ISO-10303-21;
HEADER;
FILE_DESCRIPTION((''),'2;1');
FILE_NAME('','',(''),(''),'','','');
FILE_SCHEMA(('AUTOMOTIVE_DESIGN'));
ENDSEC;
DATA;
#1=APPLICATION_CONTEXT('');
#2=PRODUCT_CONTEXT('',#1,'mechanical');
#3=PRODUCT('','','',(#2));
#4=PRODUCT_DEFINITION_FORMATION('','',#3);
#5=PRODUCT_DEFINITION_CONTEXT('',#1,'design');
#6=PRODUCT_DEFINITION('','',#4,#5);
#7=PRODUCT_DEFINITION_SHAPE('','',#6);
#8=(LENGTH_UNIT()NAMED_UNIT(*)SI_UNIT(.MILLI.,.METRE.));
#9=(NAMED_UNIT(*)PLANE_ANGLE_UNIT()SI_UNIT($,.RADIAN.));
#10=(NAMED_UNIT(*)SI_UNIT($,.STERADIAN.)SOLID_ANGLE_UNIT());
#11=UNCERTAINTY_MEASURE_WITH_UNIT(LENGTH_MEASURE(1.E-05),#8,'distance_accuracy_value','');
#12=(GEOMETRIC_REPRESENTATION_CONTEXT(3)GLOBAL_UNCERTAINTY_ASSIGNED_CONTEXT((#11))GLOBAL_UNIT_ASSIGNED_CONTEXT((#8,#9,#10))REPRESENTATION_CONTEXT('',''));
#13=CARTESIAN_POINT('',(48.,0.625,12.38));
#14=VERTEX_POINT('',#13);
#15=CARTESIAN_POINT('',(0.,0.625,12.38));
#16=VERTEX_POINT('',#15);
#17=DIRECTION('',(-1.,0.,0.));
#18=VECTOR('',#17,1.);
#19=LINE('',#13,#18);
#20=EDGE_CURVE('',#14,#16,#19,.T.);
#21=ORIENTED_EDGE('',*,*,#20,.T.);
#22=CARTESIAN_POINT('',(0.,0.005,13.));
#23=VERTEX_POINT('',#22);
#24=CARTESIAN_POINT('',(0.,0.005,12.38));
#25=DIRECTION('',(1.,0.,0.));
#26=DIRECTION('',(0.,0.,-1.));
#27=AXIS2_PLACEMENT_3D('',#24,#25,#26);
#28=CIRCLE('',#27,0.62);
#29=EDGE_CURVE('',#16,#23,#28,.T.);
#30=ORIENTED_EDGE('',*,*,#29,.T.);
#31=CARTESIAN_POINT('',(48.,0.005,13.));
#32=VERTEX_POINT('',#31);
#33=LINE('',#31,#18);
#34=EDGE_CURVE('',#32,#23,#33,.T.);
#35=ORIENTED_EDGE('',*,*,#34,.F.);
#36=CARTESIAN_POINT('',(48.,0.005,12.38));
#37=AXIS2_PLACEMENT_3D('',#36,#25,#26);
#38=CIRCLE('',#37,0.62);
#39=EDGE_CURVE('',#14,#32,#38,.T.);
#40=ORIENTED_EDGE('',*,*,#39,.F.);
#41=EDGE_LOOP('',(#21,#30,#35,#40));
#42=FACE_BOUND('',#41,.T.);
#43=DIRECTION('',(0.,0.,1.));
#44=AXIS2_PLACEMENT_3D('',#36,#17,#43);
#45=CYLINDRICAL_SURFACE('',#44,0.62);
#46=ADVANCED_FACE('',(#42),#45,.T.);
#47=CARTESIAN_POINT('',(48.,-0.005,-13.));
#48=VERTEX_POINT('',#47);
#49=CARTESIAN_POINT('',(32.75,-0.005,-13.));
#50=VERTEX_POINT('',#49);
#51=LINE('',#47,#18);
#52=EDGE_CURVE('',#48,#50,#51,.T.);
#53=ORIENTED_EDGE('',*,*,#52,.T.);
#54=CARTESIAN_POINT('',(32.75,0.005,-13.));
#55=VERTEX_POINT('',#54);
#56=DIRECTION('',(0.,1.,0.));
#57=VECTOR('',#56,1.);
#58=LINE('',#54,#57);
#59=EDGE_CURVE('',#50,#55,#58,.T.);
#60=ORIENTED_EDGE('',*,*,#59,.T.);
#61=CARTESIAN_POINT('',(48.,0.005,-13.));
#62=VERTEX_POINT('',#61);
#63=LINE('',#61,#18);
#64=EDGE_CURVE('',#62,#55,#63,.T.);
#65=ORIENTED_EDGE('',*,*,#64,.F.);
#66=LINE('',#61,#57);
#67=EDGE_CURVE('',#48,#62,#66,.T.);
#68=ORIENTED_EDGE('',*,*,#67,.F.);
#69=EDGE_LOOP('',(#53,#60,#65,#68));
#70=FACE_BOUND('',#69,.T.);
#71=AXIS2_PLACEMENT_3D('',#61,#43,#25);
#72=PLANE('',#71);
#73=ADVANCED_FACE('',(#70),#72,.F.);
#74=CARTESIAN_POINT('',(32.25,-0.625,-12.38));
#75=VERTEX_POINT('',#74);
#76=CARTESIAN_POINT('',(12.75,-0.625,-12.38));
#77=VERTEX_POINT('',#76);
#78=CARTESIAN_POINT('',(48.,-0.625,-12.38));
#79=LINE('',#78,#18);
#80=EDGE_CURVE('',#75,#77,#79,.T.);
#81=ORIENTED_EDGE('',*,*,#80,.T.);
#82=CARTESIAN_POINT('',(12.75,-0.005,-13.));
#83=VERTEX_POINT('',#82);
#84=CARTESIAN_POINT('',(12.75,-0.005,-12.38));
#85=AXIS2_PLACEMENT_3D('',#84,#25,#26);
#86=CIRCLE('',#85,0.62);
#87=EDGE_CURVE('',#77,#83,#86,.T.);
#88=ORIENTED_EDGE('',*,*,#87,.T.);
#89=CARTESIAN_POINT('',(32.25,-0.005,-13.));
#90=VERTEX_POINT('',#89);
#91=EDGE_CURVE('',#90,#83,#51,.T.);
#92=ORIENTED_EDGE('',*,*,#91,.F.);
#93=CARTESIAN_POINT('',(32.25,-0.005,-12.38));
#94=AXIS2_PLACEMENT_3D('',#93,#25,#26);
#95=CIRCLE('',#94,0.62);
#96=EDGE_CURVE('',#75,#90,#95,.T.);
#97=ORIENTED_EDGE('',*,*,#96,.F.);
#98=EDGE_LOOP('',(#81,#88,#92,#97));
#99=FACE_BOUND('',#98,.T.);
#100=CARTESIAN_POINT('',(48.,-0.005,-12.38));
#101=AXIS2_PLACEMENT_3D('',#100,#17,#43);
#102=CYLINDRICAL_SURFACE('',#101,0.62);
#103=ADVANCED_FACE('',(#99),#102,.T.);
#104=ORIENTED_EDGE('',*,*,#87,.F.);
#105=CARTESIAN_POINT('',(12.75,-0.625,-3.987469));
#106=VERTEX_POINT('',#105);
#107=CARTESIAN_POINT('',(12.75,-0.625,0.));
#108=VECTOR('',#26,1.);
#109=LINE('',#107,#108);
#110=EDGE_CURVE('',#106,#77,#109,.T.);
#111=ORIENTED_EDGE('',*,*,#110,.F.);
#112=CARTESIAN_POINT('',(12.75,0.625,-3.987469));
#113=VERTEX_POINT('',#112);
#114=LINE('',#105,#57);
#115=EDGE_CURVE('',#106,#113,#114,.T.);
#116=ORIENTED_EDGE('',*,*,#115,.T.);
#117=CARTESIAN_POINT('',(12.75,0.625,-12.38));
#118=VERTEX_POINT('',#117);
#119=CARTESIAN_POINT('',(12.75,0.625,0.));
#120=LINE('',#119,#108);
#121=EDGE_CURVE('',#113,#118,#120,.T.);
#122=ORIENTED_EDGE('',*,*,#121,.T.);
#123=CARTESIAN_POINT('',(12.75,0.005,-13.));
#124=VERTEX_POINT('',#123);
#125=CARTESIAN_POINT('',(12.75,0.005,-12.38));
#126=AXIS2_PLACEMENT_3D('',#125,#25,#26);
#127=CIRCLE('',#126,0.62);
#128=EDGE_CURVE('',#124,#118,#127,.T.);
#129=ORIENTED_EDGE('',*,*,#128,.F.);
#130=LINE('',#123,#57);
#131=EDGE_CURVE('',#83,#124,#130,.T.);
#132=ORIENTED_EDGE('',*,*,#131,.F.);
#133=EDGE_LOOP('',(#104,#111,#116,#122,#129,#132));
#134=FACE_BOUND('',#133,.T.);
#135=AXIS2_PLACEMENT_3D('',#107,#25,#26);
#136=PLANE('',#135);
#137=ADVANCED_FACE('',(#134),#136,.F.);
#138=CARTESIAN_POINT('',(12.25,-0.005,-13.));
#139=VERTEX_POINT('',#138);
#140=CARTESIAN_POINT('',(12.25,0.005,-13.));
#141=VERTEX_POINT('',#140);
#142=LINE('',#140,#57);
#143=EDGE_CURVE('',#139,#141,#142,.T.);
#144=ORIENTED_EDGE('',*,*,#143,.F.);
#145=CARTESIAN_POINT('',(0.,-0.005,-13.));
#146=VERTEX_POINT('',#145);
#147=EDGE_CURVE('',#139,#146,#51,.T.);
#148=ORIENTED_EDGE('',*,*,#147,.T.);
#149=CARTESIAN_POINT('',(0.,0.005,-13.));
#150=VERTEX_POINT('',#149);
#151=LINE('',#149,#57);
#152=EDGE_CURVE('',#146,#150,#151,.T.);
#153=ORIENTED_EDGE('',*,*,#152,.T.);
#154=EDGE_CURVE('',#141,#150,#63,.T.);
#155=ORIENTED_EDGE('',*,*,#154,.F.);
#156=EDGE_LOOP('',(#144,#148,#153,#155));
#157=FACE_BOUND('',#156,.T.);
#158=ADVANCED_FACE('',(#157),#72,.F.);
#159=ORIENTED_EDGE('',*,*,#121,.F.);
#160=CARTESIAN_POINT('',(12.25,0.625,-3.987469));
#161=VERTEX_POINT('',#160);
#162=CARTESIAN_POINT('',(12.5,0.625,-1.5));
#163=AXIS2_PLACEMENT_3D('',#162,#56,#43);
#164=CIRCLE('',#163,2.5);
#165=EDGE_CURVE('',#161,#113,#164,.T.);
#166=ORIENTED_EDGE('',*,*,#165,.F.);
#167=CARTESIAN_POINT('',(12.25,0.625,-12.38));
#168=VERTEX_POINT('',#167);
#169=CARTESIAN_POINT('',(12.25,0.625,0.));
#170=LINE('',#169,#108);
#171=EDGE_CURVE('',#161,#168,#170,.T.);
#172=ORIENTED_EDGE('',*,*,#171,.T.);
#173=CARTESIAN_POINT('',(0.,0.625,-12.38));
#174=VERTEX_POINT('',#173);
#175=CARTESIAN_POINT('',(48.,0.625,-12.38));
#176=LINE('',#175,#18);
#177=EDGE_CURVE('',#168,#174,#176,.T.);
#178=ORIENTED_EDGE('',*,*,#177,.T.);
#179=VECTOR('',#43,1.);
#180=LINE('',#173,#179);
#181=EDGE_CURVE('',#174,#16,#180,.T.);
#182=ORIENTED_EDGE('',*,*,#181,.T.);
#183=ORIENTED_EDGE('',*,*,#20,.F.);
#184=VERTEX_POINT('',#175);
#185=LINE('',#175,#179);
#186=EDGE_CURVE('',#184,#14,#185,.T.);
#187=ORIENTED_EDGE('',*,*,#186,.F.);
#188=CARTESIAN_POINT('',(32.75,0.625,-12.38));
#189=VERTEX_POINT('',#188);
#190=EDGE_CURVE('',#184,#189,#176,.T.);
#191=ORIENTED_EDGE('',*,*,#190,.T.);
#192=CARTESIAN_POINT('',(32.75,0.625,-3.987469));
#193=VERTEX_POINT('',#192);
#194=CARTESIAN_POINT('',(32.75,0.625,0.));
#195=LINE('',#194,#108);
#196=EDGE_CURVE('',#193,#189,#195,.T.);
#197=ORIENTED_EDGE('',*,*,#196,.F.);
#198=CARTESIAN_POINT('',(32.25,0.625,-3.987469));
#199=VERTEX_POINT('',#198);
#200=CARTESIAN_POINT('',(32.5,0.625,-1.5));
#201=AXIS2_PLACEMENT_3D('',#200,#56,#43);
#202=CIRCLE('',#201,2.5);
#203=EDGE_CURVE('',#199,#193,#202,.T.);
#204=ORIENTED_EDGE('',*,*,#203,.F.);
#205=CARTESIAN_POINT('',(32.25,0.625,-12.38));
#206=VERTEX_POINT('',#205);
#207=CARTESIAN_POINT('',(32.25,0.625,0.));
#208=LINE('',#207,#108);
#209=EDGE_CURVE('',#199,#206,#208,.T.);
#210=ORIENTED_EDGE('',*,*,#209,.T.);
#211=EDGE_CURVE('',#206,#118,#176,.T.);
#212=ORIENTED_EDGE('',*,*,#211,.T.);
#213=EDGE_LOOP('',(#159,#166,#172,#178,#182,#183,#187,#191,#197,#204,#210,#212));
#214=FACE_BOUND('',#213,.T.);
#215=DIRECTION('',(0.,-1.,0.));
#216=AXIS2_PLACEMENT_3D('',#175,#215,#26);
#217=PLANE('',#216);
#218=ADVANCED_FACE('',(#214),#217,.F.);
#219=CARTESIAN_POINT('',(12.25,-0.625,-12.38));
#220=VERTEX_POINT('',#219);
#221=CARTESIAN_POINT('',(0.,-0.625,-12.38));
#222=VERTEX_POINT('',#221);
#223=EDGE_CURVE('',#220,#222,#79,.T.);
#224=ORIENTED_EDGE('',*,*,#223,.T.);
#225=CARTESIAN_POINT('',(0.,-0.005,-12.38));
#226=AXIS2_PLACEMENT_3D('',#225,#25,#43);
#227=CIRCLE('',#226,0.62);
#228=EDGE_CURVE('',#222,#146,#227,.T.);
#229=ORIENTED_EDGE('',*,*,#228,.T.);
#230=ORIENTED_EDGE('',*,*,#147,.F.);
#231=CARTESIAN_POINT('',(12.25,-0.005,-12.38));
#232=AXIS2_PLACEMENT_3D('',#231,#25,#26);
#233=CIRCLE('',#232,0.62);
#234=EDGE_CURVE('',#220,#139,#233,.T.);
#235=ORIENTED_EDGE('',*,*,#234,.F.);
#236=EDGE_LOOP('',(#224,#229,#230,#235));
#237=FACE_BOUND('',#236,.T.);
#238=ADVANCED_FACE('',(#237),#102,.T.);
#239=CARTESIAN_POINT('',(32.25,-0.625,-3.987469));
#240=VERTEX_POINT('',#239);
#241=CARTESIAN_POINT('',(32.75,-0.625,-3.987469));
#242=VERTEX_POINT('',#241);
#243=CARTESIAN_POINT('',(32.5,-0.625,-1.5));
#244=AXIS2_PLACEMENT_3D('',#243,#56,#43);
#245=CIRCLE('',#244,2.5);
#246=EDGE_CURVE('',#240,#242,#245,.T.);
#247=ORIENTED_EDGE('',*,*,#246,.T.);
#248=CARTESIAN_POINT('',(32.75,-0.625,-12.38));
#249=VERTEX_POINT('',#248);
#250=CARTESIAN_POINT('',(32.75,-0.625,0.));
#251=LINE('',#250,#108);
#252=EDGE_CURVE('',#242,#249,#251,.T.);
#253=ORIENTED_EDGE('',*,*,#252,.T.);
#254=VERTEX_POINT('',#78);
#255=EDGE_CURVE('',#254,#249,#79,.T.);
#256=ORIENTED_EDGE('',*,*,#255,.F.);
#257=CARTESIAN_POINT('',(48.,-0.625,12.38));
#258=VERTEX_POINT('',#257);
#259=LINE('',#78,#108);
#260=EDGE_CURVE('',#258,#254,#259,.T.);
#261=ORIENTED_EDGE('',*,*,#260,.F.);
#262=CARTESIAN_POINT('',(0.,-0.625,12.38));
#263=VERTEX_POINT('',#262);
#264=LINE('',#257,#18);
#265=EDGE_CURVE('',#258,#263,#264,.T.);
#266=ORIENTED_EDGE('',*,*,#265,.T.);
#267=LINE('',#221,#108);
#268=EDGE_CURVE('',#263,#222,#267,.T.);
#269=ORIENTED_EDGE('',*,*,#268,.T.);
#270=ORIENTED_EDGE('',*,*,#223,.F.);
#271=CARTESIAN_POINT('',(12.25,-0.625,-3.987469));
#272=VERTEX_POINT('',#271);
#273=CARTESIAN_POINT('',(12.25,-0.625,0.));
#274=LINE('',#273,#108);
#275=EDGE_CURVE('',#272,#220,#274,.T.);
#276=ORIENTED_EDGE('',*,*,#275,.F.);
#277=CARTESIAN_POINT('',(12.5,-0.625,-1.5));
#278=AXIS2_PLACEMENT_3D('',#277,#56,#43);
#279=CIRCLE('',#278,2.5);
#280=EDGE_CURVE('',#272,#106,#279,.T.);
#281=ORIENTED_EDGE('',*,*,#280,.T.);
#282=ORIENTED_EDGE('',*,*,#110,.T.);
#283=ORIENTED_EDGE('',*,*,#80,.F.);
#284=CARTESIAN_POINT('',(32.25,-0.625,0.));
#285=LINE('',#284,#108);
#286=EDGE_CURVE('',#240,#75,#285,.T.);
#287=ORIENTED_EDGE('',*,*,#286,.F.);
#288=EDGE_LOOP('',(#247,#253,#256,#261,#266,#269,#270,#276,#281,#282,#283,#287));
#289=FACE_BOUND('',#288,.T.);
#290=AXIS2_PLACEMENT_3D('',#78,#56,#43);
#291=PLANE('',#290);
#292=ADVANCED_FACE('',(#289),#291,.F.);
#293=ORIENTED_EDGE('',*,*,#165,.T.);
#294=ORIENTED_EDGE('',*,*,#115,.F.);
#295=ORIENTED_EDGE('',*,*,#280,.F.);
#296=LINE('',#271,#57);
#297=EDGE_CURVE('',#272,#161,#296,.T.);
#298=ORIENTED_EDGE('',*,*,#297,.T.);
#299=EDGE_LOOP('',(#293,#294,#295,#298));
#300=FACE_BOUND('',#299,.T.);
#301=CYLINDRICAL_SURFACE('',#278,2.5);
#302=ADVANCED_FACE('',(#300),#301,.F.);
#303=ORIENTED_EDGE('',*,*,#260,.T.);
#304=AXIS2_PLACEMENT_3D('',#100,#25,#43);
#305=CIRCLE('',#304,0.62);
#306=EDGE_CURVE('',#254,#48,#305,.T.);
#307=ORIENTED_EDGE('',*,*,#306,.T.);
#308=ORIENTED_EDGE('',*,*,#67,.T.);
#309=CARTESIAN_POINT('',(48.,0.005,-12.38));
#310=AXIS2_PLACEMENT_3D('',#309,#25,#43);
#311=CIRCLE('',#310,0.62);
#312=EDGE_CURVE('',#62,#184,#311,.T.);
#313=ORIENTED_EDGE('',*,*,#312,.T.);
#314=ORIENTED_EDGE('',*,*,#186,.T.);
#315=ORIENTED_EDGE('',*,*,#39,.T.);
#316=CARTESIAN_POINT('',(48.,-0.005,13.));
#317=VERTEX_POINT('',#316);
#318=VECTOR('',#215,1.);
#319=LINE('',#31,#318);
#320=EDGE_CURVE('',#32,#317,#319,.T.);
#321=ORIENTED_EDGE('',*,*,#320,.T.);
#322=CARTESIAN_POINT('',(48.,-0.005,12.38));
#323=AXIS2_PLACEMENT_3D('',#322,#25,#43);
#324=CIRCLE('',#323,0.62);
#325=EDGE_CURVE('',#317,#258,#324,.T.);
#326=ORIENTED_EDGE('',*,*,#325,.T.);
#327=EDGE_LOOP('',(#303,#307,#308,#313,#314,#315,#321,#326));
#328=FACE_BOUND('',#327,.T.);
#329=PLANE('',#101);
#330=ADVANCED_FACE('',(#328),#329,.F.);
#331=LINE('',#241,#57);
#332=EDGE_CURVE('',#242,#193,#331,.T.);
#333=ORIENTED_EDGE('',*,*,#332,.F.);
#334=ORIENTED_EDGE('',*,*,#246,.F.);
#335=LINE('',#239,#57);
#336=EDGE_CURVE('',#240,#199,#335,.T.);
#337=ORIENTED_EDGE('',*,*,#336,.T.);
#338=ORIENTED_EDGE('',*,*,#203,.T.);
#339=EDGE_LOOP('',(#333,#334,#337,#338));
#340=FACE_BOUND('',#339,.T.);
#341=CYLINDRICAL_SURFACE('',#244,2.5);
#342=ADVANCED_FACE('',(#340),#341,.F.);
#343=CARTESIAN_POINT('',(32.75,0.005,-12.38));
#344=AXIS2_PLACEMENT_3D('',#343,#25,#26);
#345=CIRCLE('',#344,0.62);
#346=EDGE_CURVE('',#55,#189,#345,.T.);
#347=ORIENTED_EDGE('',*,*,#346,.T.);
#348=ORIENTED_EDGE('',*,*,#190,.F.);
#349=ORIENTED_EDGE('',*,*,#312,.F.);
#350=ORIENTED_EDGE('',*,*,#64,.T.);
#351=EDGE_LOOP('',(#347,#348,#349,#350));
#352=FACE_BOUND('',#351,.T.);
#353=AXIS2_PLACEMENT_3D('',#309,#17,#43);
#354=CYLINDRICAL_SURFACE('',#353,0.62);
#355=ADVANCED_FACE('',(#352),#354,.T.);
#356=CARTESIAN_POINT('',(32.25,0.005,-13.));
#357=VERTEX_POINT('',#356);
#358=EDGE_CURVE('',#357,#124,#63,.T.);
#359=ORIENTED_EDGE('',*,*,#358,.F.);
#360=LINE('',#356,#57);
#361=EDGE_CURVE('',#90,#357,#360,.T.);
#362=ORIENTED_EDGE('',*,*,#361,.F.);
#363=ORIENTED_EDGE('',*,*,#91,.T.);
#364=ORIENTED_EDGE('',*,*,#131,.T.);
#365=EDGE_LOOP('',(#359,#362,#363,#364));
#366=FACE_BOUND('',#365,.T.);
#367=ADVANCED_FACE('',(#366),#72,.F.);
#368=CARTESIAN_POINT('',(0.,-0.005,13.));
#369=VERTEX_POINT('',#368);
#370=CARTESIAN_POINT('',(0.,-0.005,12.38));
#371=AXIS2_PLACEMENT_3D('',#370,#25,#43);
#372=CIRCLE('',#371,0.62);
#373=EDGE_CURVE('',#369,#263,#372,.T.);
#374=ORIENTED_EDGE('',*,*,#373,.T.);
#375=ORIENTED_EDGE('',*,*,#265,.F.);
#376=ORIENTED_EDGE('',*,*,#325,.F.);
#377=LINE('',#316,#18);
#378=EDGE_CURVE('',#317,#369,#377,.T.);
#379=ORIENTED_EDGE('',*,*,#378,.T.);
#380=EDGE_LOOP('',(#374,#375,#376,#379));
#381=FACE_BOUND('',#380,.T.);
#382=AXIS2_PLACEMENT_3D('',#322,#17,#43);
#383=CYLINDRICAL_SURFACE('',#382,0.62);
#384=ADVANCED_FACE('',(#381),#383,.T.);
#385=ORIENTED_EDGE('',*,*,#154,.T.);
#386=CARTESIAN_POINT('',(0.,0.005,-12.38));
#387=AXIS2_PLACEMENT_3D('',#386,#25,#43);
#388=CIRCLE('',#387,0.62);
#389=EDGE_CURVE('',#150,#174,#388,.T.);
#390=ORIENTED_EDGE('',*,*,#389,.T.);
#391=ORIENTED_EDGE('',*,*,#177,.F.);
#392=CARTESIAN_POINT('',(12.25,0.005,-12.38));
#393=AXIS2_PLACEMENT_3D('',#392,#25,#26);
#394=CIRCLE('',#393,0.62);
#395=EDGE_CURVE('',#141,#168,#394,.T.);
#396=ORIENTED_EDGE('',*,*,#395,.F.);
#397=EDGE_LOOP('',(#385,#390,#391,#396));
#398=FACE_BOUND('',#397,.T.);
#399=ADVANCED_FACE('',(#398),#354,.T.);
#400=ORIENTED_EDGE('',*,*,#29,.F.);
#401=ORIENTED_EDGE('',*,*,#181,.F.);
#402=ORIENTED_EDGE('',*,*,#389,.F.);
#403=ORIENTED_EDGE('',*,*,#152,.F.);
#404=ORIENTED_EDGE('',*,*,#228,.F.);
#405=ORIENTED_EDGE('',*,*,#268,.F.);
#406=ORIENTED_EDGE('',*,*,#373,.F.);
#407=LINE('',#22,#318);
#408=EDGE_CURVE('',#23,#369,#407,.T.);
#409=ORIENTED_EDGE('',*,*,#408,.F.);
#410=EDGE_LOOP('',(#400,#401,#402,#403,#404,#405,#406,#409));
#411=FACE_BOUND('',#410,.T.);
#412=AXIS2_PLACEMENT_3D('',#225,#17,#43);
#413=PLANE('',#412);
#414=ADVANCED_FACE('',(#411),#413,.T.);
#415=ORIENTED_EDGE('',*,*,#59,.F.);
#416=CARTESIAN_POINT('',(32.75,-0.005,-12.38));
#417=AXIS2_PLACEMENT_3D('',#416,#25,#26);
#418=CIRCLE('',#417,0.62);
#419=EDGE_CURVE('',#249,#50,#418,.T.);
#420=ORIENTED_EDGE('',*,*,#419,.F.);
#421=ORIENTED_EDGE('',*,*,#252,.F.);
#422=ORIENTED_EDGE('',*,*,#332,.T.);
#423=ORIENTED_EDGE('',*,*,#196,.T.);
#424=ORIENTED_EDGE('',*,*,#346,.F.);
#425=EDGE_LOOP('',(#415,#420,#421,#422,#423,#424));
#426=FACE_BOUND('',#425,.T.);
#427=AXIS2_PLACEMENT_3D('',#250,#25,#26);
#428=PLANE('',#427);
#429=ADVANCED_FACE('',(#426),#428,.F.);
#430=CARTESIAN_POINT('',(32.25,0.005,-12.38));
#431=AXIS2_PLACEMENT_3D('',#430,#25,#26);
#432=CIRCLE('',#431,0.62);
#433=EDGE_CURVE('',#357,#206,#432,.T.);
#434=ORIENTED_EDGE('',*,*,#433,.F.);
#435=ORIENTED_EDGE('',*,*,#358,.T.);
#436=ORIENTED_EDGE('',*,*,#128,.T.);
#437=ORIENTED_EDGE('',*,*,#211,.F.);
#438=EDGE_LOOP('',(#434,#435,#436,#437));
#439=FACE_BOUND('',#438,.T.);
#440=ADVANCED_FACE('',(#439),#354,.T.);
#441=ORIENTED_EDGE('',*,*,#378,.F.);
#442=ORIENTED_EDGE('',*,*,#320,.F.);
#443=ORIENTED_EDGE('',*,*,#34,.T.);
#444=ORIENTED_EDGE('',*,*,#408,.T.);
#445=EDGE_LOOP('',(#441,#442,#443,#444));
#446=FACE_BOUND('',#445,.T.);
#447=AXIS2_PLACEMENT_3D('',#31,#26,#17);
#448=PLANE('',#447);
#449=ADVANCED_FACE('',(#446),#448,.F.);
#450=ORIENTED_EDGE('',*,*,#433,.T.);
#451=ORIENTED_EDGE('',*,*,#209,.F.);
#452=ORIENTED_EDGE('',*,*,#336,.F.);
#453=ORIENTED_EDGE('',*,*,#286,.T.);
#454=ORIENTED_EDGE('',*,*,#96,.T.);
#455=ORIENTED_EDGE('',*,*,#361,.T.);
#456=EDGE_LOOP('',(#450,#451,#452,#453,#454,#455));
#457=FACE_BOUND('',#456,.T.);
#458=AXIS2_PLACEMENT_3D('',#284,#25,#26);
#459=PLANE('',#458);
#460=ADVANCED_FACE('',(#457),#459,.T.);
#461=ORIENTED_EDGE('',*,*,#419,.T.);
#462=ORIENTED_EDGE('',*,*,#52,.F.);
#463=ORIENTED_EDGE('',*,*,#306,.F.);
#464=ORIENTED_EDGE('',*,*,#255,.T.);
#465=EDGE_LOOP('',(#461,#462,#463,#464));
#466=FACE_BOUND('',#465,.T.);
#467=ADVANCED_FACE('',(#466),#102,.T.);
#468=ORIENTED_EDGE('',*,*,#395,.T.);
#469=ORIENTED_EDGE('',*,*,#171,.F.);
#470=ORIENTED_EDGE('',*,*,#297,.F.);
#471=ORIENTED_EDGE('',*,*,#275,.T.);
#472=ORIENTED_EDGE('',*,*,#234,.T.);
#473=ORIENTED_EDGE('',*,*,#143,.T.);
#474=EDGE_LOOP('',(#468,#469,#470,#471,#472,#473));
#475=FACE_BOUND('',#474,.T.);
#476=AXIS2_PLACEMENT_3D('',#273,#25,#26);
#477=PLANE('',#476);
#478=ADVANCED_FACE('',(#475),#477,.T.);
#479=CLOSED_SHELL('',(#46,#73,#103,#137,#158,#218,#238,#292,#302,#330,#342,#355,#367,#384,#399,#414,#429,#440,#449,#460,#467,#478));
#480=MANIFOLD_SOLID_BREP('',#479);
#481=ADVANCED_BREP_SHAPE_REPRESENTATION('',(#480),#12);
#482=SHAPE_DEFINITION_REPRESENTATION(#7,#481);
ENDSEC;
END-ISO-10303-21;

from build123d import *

# Parameters (mm, degrees)
BOSS_EXTRUDE1_DEPTH = 48
SKETCH2_W           = 0.5
SKETCH2_H           = 4.044844813
CUT_EXTRUDE1_DEPTH  = 2.25


with BuildPart() as part:
    # Sketch1 → Boss-Extrude1 (new body)
    with BuildSketch(Plane(origin=(0, 0, 0), x_dir=(0, 0, -1), z_dir=(1, 0, 0))):
        with BuildLine():
            Line((12.38, 0.625), (-12.38, 0.625))
            ThreePointArc((-12.38, 0.625), (-12.818406204, 0.443406204), (-13, 0.005))
            Line((-13, 0.005), (-13, -0.005))
            ThreePointArc((-13, -0.005), (-12.818406204, -0.443406204), (-12.38, -0.625))
            Line((-12.38, -0.625), (12.38, -0.625))
            ThreePointArc((12.38, -0.625), (12.818406204, -0.443406204), (13, -0.005))
            Line((13, -0.005), (13, 0.005))
            ThreePointArc((13, 0.005), (12.818406204, 0.443406204), (12.38, 0.625))
        make_face()
    extrude(amount=BOSS_EXTRUDE1_DEPTH)

    # Sketch2 → Cut-Extrude1 (cut, through all)
    with BuildSketch(Plane(origin=(0, 0.625, 0), x_dir=(1, 0, 0), z_dir=(0, 1, 0))):
        with BuildLine():
            ThreePointArc((12.25, 3.987468593), (12.5, -1), (12.75, 3.987468593))
            Line((12.75, 3.987468593), (12.75, 12.38))
            Line((12.75, 12.38), (12.25, 12.38))
            Line((12.25, 12.38), (12.25, 3.987468593))
        make_face()
        with BuildLine():
            Line((32.75, 12.38), (32.25, 12.38))
            Line((32.25, 12.38), (32.25, 3.987468593))
            ThreePointArc((32.25, 3.987468593), (32.5, -1), (32.75, 3.987468593))
            Line((32.75, 3.987468593), (32.75, 12.38))
        make_face()
        with Locations((12.5, 14.402422407)):
            Rectangle(SKETCH2_W, SKETCH2_H)
        with Locations((32.5, 14.402422407)):
            Rectangle(SKETCH2_W, SKETCH2_H)
    extrude(amount=-CUT_EXTRUDE1_DEPTH, mode=Mode.SUBTRACT)


solid = part.part
